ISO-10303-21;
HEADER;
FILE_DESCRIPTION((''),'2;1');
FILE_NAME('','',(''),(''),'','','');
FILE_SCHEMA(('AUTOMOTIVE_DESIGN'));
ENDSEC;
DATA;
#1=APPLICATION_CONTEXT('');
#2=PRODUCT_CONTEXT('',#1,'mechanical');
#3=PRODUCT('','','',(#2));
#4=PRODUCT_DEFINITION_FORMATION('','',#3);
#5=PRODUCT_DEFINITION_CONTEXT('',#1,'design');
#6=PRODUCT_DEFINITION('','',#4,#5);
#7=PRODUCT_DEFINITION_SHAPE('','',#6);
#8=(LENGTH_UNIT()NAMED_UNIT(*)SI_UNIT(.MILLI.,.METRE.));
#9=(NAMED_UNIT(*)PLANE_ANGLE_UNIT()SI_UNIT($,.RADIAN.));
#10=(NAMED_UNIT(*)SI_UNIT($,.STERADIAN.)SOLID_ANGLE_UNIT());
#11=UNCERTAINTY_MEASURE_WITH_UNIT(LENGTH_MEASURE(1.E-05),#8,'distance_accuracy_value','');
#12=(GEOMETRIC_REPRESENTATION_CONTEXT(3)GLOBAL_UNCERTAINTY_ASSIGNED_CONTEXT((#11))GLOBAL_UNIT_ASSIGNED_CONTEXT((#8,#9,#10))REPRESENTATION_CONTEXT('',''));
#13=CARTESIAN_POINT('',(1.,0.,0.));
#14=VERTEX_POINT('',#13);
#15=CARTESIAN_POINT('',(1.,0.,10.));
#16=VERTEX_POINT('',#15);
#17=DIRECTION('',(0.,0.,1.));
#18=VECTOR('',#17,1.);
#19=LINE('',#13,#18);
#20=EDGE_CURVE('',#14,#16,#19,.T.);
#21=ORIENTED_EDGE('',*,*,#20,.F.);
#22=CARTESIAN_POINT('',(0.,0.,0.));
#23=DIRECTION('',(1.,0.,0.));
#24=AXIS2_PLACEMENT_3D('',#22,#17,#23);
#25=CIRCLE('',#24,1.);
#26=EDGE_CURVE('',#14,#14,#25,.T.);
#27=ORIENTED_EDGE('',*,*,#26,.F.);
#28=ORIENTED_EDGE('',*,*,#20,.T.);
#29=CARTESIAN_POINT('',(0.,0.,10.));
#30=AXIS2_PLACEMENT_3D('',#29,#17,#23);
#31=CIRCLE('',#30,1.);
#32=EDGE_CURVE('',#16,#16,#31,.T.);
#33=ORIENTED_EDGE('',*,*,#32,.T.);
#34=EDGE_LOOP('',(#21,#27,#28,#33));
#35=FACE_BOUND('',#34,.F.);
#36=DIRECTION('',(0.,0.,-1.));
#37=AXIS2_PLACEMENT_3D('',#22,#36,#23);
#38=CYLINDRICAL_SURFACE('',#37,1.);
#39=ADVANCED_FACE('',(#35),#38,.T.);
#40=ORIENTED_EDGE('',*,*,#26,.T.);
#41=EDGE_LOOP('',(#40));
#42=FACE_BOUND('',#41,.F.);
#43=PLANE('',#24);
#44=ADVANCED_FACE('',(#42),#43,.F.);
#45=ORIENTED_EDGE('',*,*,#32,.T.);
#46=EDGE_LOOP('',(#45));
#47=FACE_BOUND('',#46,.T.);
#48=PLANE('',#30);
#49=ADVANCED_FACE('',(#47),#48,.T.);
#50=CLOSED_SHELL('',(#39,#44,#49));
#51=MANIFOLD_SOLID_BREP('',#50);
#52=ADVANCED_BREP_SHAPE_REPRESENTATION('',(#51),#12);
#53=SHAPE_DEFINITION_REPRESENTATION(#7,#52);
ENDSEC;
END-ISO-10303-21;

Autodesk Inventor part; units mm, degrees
ref_plane "YZ Plane" through (0, 0, 0) normal (1, 0, 0) x (0, 1, 0)
ref_plane "XZ Plane" through (0, 0, 0) normal (0, 1, 0) x (-1, 0, 0)
ref_plane "XY Plane" through (0, 0, 0) normal (0, 0, 1) x (1, 0, 0)
sketch "Skizze1" plane through (0, 0, 0) normal (0, 0, 1) x (1, 0, 0)
  circle A0 centre (0, 0) radius 1
  dimension "d0" = 2
extrude "Extrusion1" add sketch "Skizze1" along normal blind 10
properties part number "laborbuchse"
